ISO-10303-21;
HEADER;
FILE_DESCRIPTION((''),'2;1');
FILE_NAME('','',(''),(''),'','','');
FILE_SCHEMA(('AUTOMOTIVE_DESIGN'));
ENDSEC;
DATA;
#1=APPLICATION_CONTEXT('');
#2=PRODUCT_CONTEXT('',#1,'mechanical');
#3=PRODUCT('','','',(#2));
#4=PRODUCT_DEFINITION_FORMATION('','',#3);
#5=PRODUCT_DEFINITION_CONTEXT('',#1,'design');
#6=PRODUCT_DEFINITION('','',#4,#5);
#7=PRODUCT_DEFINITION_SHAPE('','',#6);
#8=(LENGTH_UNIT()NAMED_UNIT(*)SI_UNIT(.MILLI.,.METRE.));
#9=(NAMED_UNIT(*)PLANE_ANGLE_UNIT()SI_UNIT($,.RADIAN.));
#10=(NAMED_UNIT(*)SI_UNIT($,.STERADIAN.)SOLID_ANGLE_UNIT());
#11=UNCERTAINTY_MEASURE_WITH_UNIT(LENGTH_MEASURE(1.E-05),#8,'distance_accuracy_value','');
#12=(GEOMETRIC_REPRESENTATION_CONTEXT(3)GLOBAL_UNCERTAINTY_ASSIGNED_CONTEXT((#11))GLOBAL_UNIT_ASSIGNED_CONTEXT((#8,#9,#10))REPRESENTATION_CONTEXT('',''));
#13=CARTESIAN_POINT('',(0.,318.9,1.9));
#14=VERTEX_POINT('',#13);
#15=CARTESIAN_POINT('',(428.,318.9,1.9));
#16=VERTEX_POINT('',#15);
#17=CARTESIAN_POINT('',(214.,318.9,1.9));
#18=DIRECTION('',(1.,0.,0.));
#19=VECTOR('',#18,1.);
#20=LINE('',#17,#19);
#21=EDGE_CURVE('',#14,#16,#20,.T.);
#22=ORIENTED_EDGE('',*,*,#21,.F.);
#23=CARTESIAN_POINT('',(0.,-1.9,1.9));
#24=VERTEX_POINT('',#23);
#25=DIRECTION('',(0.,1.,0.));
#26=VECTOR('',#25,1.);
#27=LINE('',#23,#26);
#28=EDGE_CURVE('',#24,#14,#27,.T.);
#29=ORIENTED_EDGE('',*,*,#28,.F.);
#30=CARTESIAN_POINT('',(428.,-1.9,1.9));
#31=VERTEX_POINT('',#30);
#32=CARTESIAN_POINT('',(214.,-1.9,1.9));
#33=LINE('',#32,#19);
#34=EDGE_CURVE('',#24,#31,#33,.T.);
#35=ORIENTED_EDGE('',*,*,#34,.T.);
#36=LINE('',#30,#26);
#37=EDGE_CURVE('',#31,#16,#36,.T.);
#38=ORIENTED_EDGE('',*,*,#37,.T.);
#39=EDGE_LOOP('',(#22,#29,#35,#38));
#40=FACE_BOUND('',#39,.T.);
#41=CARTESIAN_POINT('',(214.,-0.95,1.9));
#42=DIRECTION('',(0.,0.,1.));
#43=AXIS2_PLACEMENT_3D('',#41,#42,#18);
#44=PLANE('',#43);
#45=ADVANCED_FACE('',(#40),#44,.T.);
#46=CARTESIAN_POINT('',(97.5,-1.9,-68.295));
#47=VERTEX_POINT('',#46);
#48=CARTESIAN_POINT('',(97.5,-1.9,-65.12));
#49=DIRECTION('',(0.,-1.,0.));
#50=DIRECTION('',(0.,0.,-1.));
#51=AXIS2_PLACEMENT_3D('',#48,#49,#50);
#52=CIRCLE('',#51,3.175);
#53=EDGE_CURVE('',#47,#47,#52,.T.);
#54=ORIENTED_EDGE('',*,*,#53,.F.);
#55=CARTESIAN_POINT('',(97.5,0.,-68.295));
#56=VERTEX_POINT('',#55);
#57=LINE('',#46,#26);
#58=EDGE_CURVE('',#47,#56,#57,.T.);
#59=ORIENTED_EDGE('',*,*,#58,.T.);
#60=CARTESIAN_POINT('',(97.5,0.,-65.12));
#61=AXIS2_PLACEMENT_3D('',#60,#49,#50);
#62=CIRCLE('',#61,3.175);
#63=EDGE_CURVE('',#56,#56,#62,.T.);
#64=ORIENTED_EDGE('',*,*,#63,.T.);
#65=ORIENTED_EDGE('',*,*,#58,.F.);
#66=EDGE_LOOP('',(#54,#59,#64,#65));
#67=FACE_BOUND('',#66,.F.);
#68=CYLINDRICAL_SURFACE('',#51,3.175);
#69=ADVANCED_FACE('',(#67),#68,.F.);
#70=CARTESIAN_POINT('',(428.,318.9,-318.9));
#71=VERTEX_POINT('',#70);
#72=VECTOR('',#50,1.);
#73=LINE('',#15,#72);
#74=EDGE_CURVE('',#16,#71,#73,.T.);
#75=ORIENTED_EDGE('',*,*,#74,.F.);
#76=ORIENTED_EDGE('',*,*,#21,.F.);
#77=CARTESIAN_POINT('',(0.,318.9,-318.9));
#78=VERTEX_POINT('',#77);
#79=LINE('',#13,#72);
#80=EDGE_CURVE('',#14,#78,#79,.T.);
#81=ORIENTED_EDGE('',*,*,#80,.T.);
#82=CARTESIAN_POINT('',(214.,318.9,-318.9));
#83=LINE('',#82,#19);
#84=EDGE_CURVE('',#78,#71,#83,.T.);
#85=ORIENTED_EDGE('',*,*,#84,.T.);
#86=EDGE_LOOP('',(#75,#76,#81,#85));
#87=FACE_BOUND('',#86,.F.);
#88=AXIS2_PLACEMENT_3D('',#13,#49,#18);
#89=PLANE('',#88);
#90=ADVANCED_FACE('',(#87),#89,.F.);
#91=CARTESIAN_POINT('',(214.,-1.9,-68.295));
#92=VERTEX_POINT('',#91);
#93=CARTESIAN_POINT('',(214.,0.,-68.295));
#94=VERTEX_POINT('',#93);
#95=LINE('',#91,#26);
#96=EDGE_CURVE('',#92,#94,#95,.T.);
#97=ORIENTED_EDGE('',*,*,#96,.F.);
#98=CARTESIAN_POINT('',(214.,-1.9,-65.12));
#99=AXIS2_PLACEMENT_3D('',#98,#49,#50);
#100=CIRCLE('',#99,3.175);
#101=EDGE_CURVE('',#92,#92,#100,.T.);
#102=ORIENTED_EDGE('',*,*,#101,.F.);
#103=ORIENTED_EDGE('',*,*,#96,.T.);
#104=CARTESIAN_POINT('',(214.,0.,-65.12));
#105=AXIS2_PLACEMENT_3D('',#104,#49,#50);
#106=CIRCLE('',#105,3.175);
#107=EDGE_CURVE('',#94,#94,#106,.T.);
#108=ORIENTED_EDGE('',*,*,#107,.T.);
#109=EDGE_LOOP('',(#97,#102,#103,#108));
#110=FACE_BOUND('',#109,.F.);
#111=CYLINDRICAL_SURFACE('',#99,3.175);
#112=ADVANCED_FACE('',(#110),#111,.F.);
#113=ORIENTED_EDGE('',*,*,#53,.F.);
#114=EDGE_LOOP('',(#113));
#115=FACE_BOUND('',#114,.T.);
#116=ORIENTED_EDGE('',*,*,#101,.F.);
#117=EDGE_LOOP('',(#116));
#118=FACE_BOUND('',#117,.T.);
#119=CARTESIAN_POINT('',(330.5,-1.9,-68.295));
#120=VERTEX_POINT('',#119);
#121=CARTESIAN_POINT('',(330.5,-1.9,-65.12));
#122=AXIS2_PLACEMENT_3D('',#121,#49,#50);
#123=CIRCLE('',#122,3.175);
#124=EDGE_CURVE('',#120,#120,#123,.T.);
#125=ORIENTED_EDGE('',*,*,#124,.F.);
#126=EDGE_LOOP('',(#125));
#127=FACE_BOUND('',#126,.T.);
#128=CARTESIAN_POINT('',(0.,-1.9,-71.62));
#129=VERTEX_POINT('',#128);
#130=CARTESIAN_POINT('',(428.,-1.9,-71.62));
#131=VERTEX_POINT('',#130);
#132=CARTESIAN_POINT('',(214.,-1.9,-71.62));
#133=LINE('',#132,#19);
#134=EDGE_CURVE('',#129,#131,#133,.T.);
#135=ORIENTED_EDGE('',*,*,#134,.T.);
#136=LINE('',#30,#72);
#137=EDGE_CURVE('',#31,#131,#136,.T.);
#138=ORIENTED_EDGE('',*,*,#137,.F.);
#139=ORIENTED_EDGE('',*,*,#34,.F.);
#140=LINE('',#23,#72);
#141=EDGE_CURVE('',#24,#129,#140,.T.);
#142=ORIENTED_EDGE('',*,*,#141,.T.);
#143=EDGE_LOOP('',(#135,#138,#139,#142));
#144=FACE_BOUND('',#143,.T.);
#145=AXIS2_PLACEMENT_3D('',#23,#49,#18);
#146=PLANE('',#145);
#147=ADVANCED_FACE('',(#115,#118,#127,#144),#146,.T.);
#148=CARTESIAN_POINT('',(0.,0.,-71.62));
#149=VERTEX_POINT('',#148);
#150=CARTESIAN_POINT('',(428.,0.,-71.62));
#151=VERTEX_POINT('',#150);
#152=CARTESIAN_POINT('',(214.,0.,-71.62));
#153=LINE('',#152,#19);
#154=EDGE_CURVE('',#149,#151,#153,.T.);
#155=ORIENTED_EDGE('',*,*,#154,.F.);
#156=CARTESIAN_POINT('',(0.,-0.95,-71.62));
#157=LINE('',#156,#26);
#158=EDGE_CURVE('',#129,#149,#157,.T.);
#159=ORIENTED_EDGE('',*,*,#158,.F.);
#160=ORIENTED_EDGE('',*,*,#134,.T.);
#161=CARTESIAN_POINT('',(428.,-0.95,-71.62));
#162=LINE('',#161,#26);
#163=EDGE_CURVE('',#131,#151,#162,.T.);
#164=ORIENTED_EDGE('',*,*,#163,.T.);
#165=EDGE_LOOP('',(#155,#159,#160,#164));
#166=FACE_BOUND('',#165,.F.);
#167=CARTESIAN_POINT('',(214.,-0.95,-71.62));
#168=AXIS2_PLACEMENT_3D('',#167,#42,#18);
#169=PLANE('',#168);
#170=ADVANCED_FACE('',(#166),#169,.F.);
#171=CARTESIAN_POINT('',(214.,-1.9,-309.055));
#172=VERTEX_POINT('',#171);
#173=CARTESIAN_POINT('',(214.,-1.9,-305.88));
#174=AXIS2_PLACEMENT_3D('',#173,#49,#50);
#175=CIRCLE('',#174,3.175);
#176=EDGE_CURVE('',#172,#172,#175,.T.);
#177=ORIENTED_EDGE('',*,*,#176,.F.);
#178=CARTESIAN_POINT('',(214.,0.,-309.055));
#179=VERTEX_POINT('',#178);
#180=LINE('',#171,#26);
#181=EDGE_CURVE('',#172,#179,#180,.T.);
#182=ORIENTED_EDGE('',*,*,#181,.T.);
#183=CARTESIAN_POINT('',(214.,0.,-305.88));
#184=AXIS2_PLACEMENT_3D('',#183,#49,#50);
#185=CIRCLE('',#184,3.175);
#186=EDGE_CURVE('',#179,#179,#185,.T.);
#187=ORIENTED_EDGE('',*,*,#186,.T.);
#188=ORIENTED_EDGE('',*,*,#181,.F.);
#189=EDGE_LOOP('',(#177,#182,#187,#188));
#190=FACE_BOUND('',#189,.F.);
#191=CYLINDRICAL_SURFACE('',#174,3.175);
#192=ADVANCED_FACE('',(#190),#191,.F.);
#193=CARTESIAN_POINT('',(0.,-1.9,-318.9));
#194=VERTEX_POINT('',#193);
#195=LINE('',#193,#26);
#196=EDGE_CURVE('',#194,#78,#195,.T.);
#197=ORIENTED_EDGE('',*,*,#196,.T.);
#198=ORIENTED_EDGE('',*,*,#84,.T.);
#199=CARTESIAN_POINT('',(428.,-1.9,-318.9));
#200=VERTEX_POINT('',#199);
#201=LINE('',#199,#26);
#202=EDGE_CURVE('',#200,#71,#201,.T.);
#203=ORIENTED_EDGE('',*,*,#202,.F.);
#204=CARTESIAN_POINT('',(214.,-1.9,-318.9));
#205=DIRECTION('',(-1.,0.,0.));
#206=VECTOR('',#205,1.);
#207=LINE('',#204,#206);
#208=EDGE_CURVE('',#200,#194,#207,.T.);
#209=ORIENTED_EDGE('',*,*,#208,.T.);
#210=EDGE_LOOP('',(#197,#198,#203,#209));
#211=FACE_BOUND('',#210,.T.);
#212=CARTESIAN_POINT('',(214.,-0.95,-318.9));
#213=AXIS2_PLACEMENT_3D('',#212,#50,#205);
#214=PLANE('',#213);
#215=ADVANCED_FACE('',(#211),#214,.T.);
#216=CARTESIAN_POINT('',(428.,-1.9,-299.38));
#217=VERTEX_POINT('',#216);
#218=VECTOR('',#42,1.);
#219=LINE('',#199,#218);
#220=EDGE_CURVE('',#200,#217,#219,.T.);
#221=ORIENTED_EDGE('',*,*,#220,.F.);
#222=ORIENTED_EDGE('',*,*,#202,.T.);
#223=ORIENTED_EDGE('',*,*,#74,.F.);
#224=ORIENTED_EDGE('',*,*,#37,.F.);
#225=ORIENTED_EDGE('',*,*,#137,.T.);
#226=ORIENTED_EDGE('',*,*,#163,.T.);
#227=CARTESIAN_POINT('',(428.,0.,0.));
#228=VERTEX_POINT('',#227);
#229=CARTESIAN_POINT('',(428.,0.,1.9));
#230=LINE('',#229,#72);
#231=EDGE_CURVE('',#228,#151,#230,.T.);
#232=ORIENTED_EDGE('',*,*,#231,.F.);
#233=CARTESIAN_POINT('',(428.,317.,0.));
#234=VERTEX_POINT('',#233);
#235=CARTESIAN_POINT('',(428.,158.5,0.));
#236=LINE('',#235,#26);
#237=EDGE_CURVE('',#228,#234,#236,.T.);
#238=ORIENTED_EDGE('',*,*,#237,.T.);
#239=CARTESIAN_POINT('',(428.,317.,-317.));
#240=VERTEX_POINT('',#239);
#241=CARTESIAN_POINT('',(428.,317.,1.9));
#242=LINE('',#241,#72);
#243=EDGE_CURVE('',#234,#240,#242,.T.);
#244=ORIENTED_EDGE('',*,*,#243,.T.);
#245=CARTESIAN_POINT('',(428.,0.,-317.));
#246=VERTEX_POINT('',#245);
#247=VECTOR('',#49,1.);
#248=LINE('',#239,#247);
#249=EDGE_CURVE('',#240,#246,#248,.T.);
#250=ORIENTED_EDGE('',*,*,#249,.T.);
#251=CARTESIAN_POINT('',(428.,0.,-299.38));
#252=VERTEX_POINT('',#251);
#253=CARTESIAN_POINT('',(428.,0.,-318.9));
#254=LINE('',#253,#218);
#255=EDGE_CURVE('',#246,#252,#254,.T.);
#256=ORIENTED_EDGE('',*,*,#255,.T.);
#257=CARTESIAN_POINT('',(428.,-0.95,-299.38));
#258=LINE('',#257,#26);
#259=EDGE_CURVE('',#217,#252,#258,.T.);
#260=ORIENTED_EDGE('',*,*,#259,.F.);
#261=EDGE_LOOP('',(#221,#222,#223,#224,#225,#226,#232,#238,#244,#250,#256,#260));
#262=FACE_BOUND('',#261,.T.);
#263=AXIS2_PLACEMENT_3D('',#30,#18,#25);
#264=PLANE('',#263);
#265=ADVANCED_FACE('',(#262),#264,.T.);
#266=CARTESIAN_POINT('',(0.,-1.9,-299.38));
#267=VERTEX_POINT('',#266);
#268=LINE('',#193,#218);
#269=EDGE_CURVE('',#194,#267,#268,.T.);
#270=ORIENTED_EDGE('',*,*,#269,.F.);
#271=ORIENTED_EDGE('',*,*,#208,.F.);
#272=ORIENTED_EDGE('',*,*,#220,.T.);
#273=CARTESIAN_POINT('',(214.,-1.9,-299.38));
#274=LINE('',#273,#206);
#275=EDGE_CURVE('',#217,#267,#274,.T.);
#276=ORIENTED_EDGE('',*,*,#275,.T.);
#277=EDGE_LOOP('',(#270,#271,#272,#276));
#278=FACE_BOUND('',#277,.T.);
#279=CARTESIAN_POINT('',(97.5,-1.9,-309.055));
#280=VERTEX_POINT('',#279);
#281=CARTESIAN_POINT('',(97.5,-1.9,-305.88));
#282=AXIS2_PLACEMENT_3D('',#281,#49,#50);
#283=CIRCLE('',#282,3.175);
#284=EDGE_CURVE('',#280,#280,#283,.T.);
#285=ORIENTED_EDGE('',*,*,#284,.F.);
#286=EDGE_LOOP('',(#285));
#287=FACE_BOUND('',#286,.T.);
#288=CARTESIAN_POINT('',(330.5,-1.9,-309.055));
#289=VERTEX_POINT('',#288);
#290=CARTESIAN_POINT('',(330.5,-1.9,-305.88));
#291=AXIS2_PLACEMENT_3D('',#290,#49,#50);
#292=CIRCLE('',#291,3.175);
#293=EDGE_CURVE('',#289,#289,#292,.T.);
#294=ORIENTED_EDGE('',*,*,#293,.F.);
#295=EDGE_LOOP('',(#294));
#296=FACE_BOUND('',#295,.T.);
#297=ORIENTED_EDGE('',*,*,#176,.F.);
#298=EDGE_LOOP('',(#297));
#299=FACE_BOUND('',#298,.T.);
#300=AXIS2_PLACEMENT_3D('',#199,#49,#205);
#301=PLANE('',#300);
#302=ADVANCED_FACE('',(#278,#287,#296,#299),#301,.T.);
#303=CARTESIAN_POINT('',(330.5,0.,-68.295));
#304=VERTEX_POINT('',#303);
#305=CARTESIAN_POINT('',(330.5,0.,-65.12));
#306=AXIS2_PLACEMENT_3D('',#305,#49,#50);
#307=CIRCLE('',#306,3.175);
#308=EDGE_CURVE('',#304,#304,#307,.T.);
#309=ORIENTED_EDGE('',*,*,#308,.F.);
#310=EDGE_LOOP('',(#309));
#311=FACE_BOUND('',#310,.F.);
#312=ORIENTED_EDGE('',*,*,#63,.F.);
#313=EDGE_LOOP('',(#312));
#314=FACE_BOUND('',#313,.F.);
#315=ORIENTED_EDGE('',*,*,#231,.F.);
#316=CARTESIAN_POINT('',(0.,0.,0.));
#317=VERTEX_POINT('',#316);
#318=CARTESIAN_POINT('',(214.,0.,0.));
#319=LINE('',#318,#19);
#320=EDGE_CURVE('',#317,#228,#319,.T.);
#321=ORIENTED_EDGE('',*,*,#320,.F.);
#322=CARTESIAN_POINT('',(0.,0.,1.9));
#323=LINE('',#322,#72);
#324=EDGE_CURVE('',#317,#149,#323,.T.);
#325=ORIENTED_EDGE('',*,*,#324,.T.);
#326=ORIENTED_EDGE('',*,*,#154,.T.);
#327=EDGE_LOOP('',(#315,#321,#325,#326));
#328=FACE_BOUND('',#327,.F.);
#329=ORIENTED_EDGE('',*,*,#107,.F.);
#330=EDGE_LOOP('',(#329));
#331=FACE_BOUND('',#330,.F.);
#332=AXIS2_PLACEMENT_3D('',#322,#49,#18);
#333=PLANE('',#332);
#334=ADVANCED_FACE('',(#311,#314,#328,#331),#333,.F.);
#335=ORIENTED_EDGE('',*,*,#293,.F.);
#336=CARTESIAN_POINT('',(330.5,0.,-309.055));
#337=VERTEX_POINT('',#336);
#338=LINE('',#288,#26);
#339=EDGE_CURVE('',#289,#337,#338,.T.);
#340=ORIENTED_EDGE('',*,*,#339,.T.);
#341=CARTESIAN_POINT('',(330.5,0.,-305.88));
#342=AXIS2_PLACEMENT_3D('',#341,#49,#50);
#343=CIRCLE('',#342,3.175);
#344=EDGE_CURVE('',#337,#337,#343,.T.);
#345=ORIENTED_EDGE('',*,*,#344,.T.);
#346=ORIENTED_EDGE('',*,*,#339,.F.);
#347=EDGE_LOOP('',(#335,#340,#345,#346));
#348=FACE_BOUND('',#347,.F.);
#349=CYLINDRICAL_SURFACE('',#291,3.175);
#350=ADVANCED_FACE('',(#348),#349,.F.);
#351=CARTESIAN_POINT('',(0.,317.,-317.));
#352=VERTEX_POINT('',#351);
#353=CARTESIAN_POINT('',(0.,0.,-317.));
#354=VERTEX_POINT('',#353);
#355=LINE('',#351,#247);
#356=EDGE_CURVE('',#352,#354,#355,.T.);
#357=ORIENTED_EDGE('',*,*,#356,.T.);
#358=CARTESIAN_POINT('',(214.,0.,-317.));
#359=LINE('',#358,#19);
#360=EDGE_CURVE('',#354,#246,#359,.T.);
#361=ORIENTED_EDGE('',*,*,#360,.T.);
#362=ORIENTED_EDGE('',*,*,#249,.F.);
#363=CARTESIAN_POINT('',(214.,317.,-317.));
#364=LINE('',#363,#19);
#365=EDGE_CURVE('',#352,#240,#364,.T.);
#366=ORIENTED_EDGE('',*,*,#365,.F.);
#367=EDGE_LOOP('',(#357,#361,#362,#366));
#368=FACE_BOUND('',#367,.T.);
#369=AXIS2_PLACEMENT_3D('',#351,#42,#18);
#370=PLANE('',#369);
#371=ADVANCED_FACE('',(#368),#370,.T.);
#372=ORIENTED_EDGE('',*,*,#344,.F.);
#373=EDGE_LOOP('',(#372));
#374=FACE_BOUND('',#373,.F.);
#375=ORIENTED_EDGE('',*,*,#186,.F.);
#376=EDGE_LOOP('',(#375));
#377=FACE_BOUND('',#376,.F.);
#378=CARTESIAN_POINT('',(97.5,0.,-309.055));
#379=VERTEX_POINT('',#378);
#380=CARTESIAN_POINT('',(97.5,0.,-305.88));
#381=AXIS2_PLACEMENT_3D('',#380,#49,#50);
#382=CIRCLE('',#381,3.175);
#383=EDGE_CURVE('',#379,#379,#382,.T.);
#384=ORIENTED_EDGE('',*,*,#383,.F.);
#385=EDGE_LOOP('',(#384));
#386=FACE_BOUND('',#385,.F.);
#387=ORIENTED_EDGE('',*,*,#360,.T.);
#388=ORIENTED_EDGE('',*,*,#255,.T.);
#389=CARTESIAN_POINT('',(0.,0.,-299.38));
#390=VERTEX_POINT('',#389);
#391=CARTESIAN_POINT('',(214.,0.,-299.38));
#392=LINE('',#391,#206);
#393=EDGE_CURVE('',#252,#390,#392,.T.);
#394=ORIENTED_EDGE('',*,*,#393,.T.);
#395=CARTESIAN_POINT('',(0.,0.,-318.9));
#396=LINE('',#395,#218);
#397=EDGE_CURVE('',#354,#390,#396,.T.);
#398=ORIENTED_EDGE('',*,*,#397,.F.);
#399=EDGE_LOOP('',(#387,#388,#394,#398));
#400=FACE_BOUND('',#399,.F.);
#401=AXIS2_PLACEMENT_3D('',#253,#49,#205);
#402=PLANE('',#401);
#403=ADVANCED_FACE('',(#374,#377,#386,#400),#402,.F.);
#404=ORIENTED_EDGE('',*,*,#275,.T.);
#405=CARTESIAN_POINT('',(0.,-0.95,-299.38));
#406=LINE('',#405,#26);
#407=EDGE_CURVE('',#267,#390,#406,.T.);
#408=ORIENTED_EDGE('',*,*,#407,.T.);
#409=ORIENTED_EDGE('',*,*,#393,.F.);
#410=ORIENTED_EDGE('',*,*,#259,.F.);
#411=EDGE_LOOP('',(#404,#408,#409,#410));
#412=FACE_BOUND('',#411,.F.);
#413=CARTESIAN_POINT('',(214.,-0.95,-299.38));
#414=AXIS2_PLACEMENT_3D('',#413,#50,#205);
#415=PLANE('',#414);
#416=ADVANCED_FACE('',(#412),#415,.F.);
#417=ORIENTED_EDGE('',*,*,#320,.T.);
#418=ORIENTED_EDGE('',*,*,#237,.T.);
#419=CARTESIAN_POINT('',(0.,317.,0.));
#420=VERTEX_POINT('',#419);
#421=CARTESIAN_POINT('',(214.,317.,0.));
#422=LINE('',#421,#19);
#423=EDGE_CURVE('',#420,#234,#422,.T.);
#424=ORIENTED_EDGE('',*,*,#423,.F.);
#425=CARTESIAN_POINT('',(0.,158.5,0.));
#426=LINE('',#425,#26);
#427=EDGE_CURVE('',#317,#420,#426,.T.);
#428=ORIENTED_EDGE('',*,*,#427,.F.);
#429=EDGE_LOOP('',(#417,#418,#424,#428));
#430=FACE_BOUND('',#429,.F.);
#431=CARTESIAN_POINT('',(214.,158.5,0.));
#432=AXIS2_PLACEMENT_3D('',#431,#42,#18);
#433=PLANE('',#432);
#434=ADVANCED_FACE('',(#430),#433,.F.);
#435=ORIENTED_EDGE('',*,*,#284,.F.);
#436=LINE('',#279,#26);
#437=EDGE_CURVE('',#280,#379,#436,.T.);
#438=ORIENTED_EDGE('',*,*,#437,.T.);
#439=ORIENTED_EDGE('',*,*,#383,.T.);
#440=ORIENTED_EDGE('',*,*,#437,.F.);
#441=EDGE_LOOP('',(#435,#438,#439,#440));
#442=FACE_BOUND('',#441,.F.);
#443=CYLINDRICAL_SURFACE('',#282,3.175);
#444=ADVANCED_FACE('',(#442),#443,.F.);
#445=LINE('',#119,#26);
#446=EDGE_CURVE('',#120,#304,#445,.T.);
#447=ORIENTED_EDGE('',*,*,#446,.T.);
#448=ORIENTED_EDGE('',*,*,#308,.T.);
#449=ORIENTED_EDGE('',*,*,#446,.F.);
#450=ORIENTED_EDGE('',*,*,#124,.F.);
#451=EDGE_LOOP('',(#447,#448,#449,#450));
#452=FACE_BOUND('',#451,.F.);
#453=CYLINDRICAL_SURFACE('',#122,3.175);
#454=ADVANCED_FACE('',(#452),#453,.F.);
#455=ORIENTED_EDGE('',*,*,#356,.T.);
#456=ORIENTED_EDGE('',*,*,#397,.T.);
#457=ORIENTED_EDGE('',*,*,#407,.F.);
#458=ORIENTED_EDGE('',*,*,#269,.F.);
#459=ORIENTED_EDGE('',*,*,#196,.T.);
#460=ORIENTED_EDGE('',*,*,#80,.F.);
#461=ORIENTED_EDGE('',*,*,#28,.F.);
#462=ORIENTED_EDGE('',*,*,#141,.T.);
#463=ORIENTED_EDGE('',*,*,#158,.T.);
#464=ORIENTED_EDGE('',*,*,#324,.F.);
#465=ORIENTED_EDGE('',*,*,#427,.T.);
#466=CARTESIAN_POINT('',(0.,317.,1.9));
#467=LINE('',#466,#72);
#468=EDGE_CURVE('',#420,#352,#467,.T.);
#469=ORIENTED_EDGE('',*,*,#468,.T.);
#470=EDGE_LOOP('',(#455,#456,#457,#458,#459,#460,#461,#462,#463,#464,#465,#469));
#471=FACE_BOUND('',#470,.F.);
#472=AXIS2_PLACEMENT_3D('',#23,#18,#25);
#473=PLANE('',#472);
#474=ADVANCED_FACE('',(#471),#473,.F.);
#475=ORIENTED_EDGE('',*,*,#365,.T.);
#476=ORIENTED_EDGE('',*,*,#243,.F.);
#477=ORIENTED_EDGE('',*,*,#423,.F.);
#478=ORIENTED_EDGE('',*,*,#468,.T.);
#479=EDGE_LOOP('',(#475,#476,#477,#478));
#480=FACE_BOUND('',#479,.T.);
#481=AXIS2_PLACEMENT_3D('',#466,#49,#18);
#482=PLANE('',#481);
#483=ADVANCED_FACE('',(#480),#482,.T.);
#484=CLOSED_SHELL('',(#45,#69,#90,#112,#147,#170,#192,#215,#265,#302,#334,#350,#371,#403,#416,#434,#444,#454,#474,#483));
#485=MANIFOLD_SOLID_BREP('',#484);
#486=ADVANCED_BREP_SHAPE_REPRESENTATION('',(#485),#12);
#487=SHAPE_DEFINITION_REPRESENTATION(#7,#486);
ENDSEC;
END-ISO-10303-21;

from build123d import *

# Parameters (mm, degrees)
CROQUIS1_W              = 428
CROQUIS1_H              = 317
SALIENTE_EXTRUIR1_DEPTH = 1.9
CROQUIS3_W              = 428
CROQUIS3_H              = 1.9
SALIENTE_EXTRUIR2_DEPTH = 320.8
CROQUIS4_W              = 428
CROQUIS4_H              = 1.9
SALIENTE_EXTRUIR3_DEPTH = 317
CROQUIS6_W              = 428
CROQUIS6_H              = 1.9
SALIENTE_EXTRUIR4_DEPTH = 19.52
CROQUIS7_W              = 428
CROQUIS7_H              = 1.9
SALIENTE_EXTRUIR5_DEPTH = 73.52
CROQUIS8_R              = 3.175
CORTAR_EXTRUIR1_DEPTH   = 1.9


with BuildPart() as part:
    # Croquis1 → Saliente-Extruir1 (new body)
    with BuildSketch(Plane.XY):
        with Locations((214, 158.5)):
            Rectangle(CROQUIS1_W, CROQUIS1_H)
    extrude(amount=SALIENTE_EXTRUIR1_DEPTH)

    # Croquis3 → Saliente-Extruir2 (add)
    with BuildSketch(Plane.XY.offset(1.9)):
        with Locations((214, 317.95)):
            Rectangle(CROQUIS3_W, CROQUIS3_H)
    extrude(amount=-SALIENTE_EXTRUIR2_DEPTH)

    # Croquis4 → Saliente-Extruir3 (add)
    with BuildSketch(Plane.XZ.offset(-317)):
        with Locations((214, -317.95)):
            Rectangle(CROQUIS4_W, CROQUIS4_H)
    extrude(amount=SALIENTE_EXTRUIR3_DEPTH)

    # Croquis6 → Saliente-Extruir4 (add)
    with BuildSketch(Plane(origin=(0, 0, -318.9), x_dir=(-1, 0, 0), z_dir=(0, 0, -1))):
        with Locations((-214, -0.95)):
            Rectangle(CROQUIS6_W, CROQUIS6_H)
    extrude(amount=-SALIENTE_EXTRUIR4_DEPTH)

    # Croquis7 → Saliente-Extruir5 (add)
    with BuildSketch(Plane.XY.offset(1.9)):
        with Locations((214, -0.95)):
            Rectangle(CROQUIS7_W, CROQUIS7_H)
    extrude(amount=-SALIENTE_EXTRUIR5_DEPTH)

    # Croquis8 → Cortar-Extruir1 (cut)
    with BuildSketch(Plane.XZ.offset(1.9)):
        with Locations(Location((214, -305.88, 0), (0, 0, 270))):
            Circle(CROQUIS8_R)
        with Locations(Location((330.5, -305.88, 0), (0, 0, 270))):
            Circle(CROQUIS8_R)
        with Locations(Location((97.5, -305.88, 0), (0, 0, 270))):
            Circle(CROQUIS8_R)
        with Locations(Location((97.5, -65.12, 0), (0, 0, 270))):
            Circle(CROQUIS8_R)
        with Locations(Location((330.5, -65.12, 0), (0, 0, 270))):
            Circle(CROQUIS8_R)
        with Locations(Location((214, -65.12, 0), (0, 0, 270))):
            Circle(CROQUIS8_R)
    extrude(amount=-CORTAR_EXTRUIR1_DEPTH, mode=Mode.SUBTRACT)


solid = part.part
